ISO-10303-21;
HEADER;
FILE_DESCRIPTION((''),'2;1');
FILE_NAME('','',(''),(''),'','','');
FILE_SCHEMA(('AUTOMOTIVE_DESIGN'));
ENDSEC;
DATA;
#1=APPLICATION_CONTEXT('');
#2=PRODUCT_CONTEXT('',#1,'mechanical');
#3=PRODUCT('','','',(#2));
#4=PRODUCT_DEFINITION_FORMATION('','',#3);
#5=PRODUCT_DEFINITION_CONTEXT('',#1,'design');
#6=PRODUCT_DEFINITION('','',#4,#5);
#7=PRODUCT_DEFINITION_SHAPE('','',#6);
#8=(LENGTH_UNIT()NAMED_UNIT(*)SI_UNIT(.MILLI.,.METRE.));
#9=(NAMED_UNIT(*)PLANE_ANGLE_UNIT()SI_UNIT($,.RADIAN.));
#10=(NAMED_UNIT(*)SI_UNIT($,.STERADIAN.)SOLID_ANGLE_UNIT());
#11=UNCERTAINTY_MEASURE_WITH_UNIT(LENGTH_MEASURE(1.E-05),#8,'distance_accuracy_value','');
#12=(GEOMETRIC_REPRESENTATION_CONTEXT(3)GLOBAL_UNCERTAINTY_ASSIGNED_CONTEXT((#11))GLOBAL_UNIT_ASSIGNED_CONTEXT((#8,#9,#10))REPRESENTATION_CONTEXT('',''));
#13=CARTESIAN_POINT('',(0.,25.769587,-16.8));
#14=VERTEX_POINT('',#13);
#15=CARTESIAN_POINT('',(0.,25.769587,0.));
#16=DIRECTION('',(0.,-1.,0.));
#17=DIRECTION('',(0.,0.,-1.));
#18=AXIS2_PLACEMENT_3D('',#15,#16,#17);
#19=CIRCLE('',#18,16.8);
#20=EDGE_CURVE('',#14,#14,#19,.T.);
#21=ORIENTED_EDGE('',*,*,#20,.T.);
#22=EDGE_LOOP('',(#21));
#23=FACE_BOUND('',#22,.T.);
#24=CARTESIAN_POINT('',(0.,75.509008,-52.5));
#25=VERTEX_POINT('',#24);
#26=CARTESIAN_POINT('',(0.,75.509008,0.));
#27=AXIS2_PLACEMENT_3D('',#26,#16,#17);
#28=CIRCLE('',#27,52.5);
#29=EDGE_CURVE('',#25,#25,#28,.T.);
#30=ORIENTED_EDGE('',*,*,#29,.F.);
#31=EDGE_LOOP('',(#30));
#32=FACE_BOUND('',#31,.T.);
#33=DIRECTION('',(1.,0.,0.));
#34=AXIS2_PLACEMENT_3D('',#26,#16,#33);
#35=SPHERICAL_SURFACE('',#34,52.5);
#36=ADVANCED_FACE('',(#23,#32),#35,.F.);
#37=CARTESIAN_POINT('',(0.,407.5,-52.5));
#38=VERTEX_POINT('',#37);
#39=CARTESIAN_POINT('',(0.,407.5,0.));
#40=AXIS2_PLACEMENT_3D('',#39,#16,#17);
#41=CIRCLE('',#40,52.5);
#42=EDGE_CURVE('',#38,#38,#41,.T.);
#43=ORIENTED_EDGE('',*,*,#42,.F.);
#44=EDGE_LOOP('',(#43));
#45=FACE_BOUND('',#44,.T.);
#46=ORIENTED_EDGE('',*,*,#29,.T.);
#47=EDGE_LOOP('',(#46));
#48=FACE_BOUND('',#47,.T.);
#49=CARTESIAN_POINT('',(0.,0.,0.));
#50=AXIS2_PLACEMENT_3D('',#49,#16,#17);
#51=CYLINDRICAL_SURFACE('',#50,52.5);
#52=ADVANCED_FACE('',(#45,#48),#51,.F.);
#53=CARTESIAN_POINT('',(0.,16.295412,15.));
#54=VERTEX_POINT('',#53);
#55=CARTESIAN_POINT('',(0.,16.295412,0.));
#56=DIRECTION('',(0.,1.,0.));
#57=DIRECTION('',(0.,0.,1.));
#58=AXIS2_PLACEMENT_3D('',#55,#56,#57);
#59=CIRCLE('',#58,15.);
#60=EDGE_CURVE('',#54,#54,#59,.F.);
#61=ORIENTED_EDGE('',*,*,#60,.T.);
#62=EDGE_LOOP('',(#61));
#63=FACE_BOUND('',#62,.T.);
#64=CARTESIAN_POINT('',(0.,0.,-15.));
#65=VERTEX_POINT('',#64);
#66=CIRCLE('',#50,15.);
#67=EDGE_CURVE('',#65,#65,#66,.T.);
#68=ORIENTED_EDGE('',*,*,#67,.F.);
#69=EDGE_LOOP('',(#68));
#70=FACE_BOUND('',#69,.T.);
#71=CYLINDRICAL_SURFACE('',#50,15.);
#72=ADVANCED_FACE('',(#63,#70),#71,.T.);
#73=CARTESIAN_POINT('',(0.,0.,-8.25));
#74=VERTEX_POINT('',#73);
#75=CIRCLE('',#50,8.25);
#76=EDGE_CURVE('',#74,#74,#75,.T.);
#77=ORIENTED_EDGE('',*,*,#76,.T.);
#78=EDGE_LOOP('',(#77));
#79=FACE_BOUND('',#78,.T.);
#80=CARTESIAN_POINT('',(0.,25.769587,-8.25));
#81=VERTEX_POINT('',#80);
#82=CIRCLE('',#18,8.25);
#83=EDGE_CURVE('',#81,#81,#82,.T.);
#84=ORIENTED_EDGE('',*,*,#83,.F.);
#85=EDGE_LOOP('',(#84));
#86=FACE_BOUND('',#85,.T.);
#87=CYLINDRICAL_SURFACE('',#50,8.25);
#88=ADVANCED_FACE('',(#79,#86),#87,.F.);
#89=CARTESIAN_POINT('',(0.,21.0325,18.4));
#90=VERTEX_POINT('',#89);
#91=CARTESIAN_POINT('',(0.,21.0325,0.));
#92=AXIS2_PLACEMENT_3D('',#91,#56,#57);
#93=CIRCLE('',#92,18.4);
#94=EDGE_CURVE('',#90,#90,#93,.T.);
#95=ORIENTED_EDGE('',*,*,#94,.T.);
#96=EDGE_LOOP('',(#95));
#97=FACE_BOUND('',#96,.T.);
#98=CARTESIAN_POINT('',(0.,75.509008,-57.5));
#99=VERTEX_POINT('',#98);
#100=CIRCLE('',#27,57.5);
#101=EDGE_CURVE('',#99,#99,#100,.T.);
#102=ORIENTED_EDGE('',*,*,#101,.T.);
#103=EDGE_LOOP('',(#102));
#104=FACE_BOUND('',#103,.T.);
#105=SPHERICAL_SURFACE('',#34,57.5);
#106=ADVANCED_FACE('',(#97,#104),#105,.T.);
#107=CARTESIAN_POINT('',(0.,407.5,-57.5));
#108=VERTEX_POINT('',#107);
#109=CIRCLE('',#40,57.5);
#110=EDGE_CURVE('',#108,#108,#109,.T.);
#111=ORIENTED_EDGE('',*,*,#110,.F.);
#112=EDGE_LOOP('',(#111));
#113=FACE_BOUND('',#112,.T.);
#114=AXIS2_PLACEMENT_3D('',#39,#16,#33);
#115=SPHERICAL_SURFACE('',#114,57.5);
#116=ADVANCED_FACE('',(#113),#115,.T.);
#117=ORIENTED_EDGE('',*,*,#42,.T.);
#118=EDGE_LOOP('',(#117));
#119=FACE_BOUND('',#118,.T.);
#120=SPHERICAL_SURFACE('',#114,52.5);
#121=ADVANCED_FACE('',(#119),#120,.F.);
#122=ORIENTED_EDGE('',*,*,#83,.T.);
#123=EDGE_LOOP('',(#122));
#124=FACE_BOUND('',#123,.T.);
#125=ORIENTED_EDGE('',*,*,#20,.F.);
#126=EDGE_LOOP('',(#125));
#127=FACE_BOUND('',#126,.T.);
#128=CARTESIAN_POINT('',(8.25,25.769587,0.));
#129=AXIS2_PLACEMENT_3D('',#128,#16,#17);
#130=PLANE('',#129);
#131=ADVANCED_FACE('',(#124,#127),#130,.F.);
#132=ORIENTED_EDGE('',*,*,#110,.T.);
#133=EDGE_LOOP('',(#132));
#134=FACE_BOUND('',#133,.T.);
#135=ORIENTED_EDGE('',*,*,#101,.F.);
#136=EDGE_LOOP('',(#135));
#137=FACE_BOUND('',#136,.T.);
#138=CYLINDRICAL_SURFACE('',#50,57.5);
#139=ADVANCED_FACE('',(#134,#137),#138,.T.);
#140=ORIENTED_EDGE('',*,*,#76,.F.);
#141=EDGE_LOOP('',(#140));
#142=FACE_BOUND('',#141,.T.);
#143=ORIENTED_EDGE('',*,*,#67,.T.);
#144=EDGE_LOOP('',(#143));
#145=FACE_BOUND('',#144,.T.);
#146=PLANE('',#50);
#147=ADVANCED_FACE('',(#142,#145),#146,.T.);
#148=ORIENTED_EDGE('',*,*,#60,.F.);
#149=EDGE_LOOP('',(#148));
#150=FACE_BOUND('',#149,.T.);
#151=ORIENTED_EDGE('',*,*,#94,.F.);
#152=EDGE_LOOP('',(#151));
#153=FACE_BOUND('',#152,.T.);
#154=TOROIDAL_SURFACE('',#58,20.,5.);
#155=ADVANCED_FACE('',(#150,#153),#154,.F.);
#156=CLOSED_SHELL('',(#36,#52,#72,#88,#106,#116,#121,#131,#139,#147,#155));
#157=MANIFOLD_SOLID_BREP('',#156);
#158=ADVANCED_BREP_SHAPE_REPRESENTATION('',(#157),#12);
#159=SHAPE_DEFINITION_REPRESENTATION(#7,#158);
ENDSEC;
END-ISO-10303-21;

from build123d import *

# Parameters (mm, degrees)
M18X1_5_TAPPED_HOLE1_D     = 16.5
M18X1_5_TAPPED_HOLE1_DEPTH = 15.042899893
M18X1_5_TAPPED_HOLE1_TIP   = 4.957100107
FILLET1_R                  = 5


with BuildPart() as part:
    # Sketch1 → Revolve1 (revolve)
    with BuildSketch(Plane.XY, mode=Mode.PRIVATE) as revolve1_sk:
        with BuildLine():
            Line((0, 0), (15, 0))
            Line((15, 0), (15, 20))
            ThreePointArc((15, 20), (45.654955919, 40.553679643), (57.5, 75.509008278))
            Line((57.5, 75.509008278), (57.5, 407.5))
            ThreePointArc((57.5, 407.5), (40.658639918, 448.158639918), (0, 465))
            Line((0, 465), (0, 0))
        make_face()
    revolve(revolve1_sk.sketch.rotate(Axis((0, 0, 0), (0, 1, 0)), 90), axis=Axis((0, 0, 0), (0, 1, 0)))

    # M18x1.5 Tapped Hole1
    with Locations(Plane(origin=(0, 0, 0), x_dir=(-1, 0, 0), z_dir=(0, -1, 0))):
        with Locations((0, 0)):
            Hole(M18X1_5_TAPPED_HOLE1_D / 2, depth=M18X1_5_TAPPED_HOLE1_DEPTH)
            with Locations((0, 0, -(M18X1_5_TAPPED_HOLE1_DEPTH + M18X1_5_TAPPED_HOLE1_TIP / 2))):  # 118° drill point
                Cone(0, M18X1_5_TAPPED_HOLE1_D / 2, M18X1_5_TAPPED_HOLE1_TIP, mode=Mode.SUBTRACT)

    # Fillet1
    fillet1_edges = [part.edges().sort_by_distance(p)[0] for p in [
        (0, 20, 15),
    ]]
    fillet(fillet1_edges, radius=FILLET1_R)

    # Sketch4 → Cut-Revolve1 (revolve, cut)
    with BuildSketch(Plane.XY):
        with BuildLine():
            Line((8.25, 15.042899893), (8.25, 25.769587292))
            Line((8.25, 25.769587292), (16.8, 25.769587292))
            ThreePointArc((16.8, 25.769587292), (42.651201624, 44.89651083), (52.5, 75.509008278))
            Line((52.5, 75.509008278), (52.5, 407.5))
            ThreePointArc((52.5, 407.5), (37.123106012, 444.623106012), (0, 460))
            Line((0, 460), (0, 15.042899893))
            Line((0, 15.042899893), (8.25, 15.042899893))
        make_face()
    revolve(axis=Axis((0, 0, 0), (0, 1, 0)), mode=Mode.SUBTRACT)


solid = part.part
